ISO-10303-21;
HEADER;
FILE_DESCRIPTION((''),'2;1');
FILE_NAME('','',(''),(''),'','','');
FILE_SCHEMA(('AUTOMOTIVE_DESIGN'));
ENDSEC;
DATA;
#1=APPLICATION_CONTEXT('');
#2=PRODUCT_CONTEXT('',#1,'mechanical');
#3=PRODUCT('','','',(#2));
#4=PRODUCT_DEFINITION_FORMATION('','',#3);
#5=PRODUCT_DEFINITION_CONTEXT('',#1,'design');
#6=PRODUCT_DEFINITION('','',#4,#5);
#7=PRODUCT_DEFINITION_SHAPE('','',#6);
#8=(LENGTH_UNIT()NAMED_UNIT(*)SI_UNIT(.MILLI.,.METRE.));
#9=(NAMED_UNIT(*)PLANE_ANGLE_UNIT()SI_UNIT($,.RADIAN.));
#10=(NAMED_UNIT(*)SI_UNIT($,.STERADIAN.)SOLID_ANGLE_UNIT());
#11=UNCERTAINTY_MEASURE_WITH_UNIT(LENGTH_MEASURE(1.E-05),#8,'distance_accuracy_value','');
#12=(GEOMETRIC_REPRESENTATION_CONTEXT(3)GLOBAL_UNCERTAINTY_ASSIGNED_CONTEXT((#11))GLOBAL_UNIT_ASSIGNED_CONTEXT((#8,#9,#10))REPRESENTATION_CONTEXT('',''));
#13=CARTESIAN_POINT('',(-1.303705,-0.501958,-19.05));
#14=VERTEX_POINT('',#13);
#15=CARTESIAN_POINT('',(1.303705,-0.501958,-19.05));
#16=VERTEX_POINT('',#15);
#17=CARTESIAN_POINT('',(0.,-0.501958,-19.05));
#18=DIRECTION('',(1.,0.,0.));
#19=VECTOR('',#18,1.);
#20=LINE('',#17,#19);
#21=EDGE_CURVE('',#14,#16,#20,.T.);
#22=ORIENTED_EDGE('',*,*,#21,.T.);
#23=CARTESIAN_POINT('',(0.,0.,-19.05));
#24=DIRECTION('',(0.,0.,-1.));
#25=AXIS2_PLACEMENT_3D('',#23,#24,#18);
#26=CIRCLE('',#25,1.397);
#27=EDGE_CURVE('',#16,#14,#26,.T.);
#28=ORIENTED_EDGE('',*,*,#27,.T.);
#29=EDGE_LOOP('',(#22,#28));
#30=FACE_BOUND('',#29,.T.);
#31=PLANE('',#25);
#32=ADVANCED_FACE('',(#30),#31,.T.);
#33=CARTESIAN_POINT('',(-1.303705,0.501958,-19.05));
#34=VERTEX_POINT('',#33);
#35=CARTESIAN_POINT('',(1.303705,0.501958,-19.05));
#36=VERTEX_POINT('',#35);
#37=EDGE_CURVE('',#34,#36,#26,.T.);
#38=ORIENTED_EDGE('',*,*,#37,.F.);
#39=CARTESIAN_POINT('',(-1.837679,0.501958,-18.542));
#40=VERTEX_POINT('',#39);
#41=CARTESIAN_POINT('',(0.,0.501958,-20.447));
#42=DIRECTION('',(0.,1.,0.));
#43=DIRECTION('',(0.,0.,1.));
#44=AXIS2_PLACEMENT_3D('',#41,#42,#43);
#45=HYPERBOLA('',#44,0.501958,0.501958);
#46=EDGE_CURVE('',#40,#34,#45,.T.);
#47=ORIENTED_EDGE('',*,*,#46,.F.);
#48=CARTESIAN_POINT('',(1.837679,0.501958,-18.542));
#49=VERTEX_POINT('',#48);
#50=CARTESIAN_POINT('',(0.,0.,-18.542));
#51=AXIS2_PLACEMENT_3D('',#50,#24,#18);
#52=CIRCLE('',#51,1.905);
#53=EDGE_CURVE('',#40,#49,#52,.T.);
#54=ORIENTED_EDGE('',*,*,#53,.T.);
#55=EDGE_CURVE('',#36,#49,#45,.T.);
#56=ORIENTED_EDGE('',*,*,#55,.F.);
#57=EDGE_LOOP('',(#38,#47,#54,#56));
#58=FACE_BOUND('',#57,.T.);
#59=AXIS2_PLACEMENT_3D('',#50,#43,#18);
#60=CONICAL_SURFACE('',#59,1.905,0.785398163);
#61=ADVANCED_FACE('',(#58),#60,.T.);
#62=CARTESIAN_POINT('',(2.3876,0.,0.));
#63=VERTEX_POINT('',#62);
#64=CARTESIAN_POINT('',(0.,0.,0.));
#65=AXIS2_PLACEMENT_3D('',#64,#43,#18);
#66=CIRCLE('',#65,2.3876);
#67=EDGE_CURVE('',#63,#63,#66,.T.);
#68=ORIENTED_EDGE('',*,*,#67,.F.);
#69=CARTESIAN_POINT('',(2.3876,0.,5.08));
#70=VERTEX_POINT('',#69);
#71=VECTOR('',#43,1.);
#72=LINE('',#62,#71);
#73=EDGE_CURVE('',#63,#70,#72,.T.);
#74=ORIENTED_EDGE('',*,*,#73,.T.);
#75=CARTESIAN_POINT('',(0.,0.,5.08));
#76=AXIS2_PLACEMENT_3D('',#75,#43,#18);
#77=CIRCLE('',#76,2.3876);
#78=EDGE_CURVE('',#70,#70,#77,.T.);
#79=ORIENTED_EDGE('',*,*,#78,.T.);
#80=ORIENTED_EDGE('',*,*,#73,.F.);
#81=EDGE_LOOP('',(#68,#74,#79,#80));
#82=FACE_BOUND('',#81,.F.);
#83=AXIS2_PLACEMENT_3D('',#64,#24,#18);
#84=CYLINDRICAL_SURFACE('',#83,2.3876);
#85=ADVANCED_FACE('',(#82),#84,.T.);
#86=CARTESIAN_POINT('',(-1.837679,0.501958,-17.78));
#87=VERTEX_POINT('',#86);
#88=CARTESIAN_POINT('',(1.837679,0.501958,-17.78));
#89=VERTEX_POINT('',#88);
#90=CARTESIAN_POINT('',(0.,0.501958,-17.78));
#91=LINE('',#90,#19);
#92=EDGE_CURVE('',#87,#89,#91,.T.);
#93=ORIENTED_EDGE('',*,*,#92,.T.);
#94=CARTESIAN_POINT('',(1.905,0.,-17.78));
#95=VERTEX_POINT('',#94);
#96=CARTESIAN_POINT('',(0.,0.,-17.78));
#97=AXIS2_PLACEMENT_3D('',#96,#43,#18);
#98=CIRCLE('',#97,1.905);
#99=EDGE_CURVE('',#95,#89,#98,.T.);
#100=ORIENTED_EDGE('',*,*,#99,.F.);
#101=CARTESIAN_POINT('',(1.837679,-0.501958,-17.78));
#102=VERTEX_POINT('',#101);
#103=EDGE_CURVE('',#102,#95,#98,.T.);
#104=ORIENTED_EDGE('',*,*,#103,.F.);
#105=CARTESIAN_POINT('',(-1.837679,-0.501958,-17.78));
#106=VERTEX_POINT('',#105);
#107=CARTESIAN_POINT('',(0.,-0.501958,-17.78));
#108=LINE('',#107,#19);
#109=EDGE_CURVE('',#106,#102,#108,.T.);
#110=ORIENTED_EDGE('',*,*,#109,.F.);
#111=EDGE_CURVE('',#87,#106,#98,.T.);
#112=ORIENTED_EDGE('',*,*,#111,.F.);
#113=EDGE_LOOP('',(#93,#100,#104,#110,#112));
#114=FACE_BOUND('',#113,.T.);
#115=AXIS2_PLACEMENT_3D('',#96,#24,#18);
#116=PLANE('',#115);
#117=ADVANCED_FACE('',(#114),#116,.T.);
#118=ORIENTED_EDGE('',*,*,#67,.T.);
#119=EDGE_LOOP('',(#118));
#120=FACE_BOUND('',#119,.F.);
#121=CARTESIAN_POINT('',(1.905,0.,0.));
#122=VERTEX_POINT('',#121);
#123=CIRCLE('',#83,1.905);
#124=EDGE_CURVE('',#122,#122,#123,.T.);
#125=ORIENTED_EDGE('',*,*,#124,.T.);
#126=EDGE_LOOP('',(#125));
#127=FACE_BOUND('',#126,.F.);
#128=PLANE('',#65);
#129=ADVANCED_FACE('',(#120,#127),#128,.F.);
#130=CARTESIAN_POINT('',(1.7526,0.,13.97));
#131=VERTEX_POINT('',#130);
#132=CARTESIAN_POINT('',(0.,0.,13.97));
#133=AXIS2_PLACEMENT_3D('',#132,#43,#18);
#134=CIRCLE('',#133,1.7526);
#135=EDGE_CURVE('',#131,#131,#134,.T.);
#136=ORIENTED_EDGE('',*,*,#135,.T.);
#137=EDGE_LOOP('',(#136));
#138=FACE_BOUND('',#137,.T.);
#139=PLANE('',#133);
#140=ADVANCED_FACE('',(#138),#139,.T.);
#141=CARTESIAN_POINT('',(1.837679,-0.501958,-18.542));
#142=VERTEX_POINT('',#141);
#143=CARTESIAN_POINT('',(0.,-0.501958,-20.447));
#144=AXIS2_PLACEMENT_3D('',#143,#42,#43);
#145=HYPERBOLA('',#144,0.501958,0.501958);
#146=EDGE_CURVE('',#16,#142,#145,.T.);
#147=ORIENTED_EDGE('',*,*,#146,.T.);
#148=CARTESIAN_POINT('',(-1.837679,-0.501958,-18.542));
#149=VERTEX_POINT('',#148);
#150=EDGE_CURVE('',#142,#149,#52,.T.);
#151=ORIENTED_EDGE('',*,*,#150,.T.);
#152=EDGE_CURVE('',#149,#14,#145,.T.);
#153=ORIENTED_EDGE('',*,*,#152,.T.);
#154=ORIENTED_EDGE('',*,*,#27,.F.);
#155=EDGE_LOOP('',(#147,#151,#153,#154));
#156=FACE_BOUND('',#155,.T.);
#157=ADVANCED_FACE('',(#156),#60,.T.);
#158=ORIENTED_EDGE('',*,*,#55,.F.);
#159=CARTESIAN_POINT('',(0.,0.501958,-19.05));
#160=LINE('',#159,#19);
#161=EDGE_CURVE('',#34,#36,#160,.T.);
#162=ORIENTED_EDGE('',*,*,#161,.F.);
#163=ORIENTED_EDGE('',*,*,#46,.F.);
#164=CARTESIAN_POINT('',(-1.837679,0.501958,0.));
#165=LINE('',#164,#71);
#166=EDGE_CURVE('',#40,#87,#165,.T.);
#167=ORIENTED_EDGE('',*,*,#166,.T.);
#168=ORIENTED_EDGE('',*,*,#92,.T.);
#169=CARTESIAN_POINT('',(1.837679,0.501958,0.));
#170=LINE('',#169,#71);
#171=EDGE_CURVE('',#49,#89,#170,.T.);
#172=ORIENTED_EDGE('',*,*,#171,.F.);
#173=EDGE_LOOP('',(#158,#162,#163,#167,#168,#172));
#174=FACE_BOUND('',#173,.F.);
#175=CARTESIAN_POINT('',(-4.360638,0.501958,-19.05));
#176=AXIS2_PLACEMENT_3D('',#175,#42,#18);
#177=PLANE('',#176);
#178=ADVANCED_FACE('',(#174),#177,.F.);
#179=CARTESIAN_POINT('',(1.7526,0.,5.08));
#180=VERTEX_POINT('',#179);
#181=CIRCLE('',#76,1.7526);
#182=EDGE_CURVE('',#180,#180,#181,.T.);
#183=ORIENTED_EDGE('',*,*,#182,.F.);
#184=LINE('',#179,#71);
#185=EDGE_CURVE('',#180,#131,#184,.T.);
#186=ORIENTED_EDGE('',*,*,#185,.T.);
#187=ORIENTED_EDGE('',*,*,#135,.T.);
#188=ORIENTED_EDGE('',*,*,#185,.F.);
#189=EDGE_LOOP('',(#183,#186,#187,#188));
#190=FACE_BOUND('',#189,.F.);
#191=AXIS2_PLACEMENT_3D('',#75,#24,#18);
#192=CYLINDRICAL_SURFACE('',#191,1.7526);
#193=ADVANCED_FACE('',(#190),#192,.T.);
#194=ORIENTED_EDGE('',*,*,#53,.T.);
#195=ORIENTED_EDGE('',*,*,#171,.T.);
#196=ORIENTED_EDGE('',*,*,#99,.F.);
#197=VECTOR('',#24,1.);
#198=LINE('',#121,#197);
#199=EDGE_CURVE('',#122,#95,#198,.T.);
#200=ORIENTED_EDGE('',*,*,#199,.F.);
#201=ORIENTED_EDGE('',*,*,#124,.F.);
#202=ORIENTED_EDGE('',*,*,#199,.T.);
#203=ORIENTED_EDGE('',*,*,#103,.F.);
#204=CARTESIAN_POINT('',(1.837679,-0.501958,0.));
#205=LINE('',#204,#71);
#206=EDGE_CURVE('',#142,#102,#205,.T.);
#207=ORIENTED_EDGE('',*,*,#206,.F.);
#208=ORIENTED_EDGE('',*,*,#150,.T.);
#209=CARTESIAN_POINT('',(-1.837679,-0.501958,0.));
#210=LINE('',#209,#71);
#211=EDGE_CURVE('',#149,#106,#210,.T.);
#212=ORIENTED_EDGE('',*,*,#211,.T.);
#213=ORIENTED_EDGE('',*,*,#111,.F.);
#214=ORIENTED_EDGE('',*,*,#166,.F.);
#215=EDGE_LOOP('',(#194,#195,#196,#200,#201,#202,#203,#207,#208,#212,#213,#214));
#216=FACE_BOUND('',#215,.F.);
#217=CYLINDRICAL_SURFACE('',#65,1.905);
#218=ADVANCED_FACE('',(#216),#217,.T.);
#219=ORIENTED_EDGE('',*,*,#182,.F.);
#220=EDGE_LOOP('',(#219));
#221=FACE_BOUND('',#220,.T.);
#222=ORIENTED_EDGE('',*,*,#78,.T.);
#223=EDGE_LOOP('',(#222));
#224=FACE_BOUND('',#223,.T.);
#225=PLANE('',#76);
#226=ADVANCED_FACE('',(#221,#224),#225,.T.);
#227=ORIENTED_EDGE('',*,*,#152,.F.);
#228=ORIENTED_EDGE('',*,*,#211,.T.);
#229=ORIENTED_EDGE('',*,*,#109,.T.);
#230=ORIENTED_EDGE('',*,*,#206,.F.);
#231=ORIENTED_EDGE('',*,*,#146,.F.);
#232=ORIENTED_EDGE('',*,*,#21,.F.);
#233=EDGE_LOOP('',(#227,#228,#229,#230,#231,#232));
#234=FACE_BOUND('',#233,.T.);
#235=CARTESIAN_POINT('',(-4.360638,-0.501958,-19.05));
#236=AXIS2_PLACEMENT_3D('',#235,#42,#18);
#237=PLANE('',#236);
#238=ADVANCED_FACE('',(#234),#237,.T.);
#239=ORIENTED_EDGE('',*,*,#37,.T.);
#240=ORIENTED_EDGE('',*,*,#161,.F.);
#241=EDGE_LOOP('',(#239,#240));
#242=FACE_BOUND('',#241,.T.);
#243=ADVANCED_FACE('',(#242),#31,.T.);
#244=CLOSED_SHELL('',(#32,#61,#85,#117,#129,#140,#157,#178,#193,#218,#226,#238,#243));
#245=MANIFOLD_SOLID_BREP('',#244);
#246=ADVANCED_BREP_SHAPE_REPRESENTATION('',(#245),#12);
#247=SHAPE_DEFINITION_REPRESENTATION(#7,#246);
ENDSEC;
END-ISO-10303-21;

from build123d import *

# Parameters (mm, degrees)
F0_R     = 2.3876
F1_DEPTH = 5.08
F2_R     = 1.7526
F3_DEPTH = 8.89
F4_R     = 1.905
F5_DEPTH = 19.05
F6_SIZE  = 0.508
F7_W     = 8.721276
F7_H     = 1.003916
F8_DEPTH = 1.27


with BuildPart() as f1:
    # F0 (on Top) → F1 (new body)
    with BuildSketch(Plane.XY):
        Circle(F0_R)
    extrude(amount=F1_DEPTH)

    # F2 (on face) → F3 (join)
    with BuildSketch(Plane.XY.offset(5.08)):
        Circle(F2_R)
    extrude(amount=F3_DEPTH)

    # F4 (on face) → F5 (join)
    with BuildSketch(Plane(origin=(0, 0, 0), x_dir=(1, 0, 0), z_dir=(0, 0, -1))):
        Circle(F4_R)
    extrude(amount=F5_DEPTH)

    # F6
    f6_edges = [f1.edges().sort_by_distance(p)[0] for p in [
        (-1.905, 0, -19.05),
    ]]
    chamfer(f6_edges, length=F6_SIZE)

    # F7 (on face) → F8 (cut)
    with BuildSketch(Plane(origin=(0, 0, -19.05), x_dir=(1, 0, 0), z_dir=(0, 0, -1))):
        Rectangle(F7_W, F7_H)
    extrude(amount=-F8_DEPTH, mode=Mode.SUBTRACT)


solid = f1.part
